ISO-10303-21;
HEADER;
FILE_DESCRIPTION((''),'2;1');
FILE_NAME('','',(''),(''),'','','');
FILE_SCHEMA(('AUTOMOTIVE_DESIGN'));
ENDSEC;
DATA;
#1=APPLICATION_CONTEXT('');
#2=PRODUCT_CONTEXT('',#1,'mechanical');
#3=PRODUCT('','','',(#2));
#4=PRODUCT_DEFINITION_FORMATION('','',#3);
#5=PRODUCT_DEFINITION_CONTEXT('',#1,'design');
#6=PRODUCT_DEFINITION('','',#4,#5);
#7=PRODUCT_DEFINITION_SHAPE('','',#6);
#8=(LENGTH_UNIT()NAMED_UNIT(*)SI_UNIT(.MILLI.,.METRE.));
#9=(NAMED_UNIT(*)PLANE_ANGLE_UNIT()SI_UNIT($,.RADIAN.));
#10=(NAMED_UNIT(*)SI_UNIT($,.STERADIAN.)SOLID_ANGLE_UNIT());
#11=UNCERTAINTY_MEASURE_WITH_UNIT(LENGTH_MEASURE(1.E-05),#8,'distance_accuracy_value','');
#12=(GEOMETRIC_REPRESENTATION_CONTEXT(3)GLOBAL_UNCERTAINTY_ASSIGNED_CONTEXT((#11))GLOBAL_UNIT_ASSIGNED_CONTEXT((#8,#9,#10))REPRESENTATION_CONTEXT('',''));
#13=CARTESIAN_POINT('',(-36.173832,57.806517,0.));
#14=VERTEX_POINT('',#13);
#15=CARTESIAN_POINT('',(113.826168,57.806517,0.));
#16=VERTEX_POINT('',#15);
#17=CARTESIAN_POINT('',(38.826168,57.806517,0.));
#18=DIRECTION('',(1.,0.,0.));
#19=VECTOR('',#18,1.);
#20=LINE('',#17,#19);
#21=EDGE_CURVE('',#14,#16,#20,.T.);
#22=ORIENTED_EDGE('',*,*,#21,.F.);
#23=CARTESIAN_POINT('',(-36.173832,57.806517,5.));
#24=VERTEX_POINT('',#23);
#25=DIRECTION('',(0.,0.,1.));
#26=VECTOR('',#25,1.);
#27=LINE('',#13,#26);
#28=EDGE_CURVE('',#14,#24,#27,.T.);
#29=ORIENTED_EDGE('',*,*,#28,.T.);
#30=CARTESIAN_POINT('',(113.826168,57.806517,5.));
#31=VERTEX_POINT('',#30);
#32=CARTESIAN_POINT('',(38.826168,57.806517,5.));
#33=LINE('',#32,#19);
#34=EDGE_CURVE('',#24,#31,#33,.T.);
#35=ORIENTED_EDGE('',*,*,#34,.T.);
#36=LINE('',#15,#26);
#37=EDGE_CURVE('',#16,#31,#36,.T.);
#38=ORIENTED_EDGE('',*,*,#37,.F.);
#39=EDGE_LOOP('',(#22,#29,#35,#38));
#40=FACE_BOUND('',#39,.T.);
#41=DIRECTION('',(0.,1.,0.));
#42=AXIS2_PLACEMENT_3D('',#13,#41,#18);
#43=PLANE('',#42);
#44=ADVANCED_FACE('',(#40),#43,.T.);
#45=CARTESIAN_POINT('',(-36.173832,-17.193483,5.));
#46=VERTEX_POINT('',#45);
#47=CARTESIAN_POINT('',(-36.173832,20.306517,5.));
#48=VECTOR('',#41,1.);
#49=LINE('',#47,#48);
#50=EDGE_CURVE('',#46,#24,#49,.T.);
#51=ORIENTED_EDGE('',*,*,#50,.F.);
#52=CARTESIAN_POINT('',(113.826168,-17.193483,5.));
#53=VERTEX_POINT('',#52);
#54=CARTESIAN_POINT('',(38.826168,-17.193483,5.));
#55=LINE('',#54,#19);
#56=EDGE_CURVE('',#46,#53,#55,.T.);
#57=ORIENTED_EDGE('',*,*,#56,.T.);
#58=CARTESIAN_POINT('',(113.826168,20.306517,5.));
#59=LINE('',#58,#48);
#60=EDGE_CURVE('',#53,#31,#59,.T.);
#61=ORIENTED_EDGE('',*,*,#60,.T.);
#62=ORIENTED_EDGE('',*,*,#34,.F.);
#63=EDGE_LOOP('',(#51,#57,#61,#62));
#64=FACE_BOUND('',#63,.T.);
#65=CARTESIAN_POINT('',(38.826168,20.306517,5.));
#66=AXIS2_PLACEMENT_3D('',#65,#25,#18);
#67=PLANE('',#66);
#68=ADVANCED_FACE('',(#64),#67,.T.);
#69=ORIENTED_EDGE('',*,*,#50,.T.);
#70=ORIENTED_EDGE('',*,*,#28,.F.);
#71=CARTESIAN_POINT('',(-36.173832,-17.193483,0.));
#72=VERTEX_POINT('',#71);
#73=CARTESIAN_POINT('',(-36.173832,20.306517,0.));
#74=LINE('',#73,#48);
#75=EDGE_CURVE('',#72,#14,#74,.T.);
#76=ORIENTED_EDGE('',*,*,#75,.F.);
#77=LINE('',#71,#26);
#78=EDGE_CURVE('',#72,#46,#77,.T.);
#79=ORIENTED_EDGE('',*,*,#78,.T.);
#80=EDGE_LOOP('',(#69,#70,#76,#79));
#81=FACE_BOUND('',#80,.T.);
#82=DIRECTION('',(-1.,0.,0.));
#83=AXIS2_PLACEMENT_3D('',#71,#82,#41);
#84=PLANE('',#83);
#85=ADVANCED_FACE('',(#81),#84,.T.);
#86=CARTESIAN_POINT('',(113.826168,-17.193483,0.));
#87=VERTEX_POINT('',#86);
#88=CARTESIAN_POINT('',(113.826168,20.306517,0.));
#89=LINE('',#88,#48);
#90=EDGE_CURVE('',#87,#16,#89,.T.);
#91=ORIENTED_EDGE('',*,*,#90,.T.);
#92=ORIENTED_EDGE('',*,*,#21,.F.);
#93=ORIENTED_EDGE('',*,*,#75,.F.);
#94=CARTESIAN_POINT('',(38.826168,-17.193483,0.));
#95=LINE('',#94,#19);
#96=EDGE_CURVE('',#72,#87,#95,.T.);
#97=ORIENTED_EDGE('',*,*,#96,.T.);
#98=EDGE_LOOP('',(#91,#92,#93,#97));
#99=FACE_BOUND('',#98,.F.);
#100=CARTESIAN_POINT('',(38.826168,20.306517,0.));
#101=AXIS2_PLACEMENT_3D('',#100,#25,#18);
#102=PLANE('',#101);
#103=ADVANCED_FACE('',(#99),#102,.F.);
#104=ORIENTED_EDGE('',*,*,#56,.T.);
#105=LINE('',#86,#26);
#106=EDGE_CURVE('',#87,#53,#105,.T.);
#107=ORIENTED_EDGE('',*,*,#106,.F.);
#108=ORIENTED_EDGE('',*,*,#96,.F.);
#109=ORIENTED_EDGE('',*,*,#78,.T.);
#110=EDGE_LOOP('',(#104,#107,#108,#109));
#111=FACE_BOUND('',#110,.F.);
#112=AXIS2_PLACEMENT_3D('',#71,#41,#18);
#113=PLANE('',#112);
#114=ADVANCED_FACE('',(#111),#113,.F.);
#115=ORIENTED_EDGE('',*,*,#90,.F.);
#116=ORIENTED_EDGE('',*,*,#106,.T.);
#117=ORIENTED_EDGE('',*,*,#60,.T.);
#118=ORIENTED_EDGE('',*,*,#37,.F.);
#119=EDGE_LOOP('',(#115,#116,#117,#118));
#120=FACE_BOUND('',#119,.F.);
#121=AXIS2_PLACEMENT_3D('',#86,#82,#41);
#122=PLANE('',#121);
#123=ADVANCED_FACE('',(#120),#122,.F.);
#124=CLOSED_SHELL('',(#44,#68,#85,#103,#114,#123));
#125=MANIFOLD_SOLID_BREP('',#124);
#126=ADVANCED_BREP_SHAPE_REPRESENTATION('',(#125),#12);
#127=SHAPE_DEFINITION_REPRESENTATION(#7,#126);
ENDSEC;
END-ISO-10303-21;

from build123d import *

# Parameters (mm, degrees)
SKETCH_W  = 150
SKETCH_H  = 75
PAD_DEPTH = 5


with BuildPart() as part:
    # Sketch → Pad (new body)
    with BuildSketch(Plane.XY):
        with Locations((38.826168, 20.306517)):
            Rectangle(SKETCH_W, SKETCH_H)
    extrude(amount=PAD_DEPTH)


solid = part.part
